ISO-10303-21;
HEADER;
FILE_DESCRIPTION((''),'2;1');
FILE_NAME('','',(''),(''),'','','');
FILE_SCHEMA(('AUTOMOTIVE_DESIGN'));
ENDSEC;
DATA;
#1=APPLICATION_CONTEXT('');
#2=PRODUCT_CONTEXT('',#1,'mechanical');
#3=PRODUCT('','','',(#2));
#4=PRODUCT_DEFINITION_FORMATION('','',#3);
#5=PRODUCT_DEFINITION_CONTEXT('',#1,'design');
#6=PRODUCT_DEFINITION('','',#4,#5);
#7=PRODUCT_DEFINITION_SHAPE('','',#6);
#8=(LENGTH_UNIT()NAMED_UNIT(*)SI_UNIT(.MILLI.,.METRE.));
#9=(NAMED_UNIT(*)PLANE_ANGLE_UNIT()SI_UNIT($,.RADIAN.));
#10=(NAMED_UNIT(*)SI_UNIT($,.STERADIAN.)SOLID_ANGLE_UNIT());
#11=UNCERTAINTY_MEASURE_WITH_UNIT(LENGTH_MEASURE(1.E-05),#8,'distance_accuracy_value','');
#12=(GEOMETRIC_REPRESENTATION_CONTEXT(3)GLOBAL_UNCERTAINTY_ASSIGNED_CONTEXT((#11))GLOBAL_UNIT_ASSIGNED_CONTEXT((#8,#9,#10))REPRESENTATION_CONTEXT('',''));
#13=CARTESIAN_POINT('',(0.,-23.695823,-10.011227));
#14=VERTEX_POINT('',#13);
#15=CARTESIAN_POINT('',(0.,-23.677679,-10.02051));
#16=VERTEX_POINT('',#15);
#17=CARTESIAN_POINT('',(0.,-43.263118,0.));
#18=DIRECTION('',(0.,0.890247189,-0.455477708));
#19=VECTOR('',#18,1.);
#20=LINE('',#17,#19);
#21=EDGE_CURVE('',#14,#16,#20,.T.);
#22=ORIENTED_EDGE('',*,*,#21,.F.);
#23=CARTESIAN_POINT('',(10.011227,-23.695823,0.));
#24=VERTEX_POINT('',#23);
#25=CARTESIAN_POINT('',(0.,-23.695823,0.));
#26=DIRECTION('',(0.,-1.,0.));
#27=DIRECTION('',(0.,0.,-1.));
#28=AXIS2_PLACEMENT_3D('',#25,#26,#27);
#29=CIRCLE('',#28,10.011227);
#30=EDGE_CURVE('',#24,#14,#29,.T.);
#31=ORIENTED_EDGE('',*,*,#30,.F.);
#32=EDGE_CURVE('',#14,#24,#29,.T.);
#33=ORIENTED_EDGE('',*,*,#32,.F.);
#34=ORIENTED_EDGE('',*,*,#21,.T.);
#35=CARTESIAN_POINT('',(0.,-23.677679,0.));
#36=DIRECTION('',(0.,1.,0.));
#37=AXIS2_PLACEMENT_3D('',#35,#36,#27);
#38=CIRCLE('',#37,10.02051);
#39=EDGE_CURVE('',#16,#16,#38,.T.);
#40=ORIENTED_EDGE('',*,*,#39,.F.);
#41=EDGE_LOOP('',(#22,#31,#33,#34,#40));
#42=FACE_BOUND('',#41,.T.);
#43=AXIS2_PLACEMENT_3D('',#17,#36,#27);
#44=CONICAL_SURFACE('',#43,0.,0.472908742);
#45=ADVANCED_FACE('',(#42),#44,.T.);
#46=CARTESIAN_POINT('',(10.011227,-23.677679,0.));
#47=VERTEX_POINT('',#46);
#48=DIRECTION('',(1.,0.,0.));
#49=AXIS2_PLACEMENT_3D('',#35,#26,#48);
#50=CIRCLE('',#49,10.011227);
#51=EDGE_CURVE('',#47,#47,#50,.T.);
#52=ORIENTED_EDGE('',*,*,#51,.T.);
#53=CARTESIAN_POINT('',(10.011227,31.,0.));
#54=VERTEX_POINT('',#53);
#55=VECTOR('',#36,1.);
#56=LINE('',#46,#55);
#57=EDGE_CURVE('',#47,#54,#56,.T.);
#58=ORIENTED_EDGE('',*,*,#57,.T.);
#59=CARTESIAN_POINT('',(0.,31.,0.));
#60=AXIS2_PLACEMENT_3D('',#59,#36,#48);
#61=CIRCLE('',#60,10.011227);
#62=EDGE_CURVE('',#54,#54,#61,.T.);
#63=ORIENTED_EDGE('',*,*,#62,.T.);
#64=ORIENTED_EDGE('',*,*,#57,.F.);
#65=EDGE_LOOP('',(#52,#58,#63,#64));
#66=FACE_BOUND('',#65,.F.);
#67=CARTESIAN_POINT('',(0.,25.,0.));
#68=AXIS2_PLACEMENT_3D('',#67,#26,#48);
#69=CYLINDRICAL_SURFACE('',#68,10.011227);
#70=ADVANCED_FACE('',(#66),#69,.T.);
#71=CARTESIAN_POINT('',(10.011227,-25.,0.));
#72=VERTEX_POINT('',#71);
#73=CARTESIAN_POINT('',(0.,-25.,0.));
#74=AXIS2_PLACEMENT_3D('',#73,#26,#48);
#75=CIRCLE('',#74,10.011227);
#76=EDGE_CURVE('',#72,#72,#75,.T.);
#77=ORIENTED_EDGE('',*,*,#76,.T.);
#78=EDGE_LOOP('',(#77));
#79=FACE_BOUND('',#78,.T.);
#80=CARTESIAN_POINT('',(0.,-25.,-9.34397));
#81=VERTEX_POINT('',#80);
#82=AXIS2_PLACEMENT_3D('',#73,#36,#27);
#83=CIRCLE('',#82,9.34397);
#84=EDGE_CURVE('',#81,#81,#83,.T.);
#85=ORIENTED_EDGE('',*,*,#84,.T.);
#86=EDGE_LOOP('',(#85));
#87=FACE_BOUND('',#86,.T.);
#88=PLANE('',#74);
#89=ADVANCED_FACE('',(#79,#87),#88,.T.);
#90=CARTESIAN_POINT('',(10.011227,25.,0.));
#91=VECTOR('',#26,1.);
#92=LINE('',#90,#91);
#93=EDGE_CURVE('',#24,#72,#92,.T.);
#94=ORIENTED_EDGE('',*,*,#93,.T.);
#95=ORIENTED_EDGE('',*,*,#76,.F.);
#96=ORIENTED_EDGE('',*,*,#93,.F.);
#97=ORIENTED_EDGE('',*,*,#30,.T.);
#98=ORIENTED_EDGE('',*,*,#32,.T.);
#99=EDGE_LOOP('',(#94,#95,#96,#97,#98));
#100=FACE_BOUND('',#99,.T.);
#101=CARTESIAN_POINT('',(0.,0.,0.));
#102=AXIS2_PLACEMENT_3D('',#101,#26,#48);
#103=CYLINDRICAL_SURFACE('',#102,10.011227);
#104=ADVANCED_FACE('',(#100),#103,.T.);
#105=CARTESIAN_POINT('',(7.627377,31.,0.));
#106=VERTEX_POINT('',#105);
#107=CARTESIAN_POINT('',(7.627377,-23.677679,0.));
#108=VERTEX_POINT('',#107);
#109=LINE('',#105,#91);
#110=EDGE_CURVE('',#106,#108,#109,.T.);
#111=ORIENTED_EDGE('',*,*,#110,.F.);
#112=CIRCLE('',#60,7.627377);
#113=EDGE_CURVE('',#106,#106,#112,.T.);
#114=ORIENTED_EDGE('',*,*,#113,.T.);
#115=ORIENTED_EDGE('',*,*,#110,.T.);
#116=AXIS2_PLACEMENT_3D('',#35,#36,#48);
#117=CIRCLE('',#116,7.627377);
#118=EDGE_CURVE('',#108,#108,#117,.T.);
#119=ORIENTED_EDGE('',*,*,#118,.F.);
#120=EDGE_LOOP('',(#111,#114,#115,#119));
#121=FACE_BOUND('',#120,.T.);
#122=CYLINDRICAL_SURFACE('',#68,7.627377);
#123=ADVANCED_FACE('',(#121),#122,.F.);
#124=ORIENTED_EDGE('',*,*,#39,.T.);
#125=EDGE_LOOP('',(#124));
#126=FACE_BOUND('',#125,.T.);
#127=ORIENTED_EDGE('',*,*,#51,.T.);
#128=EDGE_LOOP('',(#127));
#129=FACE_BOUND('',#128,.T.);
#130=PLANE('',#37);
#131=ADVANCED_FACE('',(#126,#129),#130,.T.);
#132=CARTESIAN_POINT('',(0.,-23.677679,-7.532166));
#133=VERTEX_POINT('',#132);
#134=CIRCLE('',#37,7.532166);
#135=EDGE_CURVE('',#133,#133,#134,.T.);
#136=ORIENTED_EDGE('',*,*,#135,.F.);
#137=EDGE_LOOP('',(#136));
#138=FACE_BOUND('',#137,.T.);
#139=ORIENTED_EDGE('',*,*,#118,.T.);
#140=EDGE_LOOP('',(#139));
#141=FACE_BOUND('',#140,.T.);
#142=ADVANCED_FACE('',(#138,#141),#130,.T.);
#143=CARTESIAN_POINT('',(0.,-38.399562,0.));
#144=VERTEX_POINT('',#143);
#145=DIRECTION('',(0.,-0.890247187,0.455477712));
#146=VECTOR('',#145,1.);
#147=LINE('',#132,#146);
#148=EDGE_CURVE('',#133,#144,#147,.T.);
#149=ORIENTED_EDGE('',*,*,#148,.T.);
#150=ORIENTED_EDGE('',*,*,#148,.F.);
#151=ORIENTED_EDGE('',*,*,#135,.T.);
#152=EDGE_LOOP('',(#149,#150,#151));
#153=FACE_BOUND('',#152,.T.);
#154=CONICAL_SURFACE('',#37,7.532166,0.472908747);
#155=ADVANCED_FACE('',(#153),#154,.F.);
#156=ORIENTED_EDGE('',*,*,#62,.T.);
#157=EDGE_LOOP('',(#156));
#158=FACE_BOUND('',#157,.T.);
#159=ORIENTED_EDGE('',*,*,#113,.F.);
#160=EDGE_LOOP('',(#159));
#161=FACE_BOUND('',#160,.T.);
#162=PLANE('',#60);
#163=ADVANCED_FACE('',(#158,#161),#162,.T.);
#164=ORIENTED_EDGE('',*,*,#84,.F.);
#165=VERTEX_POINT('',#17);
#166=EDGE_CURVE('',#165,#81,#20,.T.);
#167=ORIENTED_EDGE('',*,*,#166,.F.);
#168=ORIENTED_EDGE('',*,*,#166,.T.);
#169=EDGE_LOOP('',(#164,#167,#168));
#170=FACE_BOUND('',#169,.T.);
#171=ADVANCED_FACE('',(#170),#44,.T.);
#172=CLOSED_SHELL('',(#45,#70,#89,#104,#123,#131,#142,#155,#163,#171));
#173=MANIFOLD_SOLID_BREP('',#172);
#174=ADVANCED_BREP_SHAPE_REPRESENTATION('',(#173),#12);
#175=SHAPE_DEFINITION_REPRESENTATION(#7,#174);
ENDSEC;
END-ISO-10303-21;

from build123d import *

# Parameters (mm, degrees)
F0_R        = 10.011227
F0_R_2      = 7.627377
F2_DEPTH    = 25
F2_FACE_R   = 10.011227
F2_FACE_R_2 = 7.627377
F5_DEPTH    = 6


with BuildPart() as f2:
    # F0 (on Front) → F2 (new body, symmetric)
    with BuildSketch(Plane.XZ):
        Circle(F0_R)
        Circle(F0_R_2, mode=Mode.SUBTRACT)
    extrude(amount=F2_DEPTH, both=True)

    # F3 (on Right) → F4 (revolve)
    with BuildSketch(Plane.YZ):
        Polygon((-23.677679, -10.02051), (-23.677679, -7.532166), (-38.399562, 0), (-43.263118, 0), align=None)
    revolve(axis=Axis((0, -31.038621, 0), (0, 1, 0)))

    # F2_face (on face) → F5 (join)
    with BuildSketch(Plane(origin=(0, 25, 0), x_dir=(1, 0, 0), z_dir=(0, 1, 0))):
        Circle(F2_FACE_R)
        Circle(F2_FACE_R_2, mode=Mode.SUBTRACT)
    extrude(amount=F5_DEPTH)


solid = f2.part
